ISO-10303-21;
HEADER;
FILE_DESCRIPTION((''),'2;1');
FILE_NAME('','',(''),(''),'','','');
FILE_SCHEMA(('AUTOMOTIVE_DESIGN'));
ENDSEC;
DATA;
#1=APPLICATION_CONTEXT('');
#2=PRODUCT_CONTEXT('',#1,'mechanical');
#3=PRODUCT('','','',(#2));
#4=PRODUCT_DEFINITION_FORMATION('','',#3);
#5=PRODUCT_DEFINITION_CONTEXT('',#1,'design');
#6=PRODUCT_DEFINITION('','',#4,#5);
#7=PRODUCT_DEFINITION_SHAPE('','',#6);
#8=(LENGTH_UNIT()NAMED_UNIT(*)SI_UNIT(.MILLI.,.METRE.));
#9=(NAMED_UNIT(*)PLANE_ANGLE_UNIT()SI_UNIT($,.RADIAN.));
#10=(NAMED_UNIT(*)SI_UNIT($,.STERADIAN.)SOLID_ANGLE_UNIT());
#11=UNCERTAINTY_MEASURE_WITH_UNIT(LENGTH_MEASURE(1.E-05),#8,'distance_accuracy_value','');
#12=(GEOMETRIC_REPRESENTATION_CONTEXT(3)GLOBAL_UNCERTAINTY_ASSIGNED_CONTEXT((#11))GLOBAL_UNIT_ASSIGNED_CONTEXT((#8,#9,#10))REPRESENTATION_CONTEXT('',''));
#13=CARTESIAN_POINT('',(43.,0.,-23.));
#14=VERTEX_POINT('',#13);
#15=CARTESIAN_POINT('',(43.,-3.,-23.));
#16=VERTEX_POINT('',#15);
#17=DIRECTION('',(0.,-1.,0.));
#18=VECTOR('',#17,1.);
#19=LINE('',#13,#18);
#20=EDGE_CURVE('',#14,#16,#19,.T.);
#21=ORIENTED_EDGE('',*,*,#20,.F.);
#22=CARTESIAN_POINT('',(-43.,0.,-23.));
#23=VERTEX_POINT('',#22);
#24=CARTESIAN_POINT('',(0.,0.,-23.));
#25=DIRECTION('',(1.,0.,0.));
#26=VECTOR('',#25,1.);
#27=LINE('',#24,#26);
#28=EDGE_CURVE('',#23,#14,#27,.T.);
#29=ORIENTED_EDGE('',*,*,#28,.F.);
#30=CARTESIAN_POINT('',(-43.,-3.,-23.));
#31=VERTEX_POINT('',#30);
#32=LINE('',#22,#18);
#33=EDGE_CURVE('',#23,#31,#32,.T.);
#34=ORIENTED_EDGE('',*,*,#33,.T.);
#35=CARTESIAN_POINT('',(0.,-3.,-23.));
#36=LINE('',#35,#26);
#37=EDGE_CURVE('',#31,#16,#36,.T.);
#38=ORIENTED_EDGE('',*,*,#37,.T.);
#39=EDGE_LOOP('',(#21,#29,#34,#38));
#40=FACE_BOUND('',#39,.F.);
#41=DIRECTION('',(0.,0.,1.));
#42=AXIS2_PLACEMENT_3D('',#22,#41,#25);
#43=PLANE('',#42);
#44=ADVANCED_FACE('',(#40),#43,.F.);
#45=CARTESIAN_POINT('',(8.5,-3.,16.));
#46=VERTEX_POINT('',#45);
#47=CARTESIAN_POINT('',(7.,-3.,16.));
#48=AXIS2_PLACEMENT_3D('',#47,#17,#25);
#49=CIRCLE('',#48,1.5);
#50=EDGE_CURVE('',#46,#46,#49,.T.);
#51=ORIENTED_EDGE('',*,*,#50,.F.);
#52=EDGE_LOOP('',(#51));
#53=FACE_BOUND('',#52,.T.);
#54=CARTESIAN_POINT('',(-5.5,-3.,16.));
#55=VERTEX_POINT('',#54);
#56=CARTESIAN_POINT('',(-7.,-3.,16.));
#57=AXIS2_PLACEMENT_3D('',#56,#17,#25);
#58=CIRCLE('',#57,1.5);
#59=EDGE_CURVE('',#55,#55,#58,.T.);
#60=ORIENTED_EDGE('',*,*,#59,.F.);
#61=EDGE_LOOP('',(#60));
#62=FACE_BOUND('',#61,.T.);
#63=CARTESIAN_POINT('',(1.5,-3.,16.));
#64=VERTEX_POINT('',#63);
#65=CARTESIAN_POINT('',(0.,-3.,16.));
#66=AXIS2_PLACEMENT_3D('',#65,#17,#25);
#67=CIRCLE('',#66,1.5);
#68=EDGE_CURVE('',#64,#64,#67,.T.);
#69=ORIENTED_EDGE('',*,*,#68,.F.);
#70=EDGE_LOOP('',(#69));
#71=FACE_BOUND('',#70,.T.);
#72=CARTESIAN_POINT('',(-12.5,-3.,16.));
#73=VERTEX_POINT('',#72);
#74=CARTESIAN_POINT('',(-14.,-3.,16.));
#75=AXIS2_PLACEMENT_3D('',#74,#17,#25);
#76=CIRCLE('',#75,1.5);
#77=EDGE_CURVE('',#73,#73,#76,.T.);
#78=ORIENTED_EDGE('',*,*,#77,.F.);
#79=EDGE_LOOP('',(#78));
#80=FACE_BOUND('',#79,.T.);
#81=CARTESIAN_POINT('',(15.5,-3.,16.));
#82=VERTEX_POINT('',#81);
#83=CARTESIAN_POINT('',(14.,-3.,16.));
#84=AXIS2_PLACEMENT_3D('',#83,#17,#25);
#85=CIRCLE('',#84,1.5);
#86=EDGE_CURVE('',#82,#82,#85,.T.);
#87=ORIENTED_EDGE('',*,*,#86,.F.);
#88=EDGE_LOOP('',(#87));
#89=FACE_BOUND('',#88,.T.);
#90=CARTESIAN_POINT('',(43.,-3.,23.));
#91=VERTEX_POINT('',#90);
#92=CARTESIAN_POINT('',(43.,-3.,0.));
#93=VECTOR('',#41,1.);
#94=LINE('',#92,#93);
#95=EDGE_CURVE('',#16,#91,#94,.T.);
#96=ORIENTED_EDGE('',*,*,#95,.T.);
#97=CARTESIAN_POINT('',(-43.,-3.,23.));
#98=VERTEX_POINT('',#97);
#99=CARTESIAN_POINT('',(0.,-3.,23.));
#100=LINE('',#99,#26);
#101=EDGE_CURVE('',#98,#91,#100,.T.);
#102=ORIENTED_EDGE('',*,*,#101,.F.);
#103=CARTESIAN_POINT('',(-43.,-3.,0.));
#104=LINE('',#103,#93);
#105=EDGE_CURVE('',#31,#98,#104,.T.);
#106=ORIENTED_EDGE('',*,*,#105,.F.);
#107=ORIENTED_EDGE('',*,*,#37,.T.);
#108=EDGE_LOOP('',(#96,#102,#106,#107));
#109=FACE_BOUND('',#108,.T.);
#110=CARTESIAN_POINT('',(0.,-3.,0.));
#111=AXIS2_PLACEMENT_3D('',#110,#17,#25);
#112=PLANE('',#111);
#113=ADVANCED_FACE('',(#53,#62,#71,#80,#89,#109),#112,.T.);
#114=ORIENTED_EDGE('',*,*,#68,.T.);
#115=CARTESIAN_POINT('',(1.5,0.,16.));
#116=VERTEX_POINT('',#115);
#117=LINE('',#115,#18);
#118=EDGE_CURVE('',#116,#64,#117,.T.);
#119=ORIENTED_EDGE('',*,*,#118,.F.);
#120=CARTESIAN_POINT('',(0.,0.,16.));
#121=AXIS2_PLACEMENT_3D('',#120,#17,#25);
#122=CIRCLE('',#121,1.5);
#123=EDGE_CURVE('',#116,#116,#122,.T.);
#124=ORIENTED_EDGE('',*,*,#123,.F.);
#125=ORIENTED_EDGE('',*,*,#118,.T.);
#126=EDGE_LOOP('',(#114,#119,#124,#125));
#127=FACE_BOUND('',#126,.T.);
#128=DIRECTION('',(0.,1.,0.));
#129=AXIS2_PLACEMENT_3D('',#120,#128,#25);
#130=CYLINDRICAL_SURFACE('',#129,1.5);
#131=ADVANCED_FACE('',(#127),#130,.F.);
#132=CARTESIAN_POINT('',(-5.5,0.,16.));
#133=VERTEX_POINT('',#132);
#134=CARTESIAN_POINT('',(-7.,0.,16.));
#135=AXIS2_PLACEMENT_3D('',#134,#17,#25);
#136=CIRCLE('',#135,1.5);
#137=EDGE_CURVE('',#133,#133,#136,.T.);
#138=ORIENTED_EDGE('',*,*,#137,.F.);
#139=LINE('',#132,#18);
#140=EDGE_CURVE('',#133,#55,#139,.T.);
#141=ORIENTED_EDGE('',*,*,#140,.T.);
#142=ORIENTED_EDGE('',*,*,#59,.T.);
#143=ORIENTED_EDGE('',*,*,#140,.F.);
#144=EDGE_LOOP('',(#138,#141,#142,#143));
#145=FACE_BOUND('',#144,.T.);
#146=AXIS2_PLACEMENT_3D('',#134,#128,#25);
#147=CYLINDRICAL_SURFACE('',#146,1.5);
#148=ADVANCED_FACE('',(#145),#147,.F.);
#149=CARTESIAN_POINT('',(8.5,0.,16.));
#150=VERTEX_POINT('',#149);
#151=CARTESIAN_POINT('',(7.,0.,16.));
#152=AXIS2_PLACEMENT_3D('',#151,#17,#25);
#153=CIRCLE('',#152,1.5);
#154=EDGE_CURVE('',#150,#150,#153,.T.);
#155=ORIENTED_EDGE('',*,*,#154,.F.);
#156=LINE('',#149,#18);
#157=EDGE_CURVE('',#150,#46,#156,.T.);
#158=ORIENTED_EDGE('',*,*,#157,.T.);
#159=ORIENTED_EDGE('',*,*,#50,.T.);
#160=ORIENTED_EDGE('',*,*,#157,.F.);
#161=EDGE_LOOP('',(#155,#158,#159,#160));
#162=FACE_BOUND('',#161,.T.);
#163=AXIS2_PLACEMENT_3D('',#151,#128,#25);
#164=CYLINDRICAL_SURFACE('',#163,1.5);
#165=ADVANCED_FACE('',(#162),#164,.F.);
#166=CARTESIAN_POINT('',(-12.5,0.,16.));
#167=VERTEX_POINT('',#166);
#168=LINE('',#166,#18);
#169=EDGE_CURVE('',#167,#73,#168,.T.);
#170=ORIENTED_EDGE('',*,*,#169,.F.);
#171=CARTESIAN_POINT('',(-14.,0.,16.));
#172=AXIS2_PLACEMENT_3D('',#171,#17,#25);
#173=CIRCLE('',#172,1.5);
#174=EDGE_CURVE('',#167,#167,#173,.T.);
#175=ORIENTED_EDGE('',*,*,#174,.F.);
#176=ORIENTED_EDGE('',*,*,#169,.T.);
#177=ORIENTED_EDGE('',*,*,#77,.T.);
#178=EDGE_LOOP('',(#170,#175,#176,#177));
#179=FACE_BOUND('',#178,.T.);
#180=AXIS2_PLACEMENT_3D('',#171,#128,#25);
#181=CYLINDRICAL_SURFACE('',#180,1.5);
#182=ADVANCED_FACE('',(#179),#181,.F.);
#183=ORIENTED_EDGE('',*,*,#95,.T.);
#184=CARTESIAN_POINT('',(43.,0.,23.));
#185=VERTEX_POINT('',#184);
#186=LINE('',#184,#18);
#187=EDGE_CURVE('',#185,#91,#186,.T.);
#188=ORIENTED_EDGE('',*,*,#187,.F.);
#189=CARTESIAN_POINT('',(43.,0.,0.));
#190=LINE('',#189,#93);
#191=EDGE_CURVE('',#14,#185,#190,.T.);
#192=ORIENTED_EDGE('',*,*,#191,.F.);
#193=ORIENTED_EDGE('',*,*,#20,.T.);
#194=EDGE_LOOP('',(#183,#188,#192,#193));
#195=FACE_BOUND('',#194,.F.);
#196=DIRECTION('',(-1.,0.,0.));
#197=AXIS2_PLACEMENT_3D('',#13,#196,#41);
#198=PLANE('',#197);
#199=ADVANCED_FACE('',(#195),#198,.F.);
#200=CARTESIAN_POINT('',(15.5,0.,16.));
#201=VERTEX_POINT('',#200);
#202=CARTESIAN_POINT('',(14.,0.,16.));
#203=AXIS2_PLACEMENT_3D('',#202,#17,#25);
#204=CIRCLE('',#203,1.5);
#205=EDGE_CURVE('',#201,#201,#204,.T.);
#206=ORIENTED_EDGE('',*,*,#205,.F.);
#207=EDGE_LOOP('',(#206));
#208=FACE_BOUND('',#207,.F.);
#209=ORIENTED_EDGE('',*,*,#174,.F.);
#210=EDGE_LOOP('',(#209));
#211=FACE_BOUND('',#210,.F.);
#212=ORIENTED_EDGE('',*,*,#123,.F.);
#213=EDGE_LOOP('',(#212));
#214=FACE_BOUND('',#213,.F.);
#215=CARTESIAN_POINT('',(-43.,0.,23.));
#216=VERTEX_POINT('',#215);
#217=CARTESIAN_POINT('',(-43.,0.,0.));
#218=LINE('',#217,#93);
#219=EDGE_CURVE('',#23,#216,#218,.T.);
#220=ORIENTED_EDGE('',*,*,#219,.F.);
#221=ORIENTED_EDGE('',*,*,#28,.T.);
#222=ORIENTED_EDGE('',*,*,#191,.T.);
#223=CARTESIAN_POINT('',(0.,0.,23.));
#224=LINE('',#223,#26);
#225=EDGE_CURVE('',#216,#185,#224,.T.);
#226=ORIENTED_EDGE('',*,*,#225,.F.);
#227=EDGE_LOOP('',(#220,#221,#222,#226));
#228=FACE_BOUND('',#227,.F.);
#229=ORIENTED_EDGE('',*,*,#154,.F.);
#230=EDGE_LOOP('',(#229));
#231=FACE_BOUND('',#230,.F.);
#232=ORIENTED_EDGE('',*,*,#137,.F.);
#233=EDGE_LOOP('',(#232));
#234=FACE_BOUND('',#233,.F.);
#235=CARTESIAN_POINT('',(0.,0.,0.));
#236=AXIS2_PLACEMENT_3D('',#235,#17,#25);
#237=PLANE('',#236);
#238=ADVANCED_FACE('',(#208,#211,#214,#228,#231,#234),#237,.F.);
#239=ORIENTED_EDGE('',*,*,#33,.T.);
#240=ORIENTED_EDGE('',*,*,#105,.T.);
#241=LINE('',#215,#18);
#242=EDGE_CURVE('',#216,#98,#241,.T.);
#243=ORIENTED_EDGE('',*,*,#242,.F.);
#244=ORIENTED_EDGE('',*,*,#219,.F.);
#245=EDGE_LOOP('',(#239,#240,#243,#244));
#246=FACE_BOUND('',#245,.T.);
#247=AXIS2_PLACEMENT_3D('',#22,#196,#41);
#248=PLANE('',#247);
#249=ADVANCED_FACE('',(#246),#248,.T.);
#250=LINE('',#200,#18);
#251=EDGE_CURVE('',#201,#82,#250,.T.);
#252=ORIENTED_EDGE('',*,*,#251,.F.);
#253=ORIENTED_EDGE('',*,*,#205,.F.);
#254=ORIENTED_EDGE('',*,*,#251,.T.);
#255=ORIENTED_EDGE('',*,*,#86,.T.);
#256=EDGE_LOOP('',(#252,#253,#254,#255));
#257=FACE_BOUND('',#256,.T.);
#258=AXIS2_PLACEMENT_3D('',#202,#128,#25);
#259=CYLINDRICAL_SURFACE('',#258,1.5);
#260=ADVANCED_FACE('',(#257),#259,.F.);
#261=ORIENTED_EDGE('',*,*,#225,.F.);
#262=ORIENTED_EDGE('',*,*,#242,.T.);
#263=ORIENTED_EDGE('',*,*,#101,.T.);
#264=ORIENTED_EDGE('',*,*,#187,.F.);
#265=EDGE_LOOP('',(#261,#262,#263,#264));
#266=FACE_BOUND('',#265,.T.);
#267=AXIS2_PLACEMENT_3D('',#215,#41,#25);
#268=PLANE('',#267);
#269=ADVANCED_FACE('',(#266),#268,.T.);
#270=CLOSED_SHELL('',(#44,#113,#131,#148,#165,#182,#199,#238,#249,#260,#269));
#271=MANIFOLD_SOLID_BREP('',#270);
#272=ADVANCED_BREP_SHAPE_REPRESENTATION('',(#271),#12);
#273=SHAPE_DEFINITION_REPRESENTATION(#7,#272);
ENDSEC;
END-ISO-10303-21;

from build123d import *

# Parameters (mm, degrees)
SKETCH_W  = 86
SKETCH_H  = 46
SKETCH_R  = 1.5
PAD_DEPTH = 3


with BuildPart() as part:
    # Sketch → Pad (new body)
    with BuildSketch(Plane.XZ):
        Rectangle(SKETCH_W, SKETCH_H)
        with Locations((-7, 16)):
            Circle(SKETCH_R, mode=Mode.SUBTRACT)
        with Locations((0, 16)):
            Circle(SKETCH_R, mode=Mode.SUBTRACT)
        with Locations((7, 16)):
            Circle(SKETCH_R, mode=Mode.SUBTRACT)
        with Locations((14, 16)):
            Circle(SKETCH_R, mode=Mode.SUBTRACT)
        with Locations((-14, 16)):
            Circle(SKETCH_R, mode=Mode.SUBTRACT)
    extrude(amount=PAD_DEPTH)


solid = part.part
